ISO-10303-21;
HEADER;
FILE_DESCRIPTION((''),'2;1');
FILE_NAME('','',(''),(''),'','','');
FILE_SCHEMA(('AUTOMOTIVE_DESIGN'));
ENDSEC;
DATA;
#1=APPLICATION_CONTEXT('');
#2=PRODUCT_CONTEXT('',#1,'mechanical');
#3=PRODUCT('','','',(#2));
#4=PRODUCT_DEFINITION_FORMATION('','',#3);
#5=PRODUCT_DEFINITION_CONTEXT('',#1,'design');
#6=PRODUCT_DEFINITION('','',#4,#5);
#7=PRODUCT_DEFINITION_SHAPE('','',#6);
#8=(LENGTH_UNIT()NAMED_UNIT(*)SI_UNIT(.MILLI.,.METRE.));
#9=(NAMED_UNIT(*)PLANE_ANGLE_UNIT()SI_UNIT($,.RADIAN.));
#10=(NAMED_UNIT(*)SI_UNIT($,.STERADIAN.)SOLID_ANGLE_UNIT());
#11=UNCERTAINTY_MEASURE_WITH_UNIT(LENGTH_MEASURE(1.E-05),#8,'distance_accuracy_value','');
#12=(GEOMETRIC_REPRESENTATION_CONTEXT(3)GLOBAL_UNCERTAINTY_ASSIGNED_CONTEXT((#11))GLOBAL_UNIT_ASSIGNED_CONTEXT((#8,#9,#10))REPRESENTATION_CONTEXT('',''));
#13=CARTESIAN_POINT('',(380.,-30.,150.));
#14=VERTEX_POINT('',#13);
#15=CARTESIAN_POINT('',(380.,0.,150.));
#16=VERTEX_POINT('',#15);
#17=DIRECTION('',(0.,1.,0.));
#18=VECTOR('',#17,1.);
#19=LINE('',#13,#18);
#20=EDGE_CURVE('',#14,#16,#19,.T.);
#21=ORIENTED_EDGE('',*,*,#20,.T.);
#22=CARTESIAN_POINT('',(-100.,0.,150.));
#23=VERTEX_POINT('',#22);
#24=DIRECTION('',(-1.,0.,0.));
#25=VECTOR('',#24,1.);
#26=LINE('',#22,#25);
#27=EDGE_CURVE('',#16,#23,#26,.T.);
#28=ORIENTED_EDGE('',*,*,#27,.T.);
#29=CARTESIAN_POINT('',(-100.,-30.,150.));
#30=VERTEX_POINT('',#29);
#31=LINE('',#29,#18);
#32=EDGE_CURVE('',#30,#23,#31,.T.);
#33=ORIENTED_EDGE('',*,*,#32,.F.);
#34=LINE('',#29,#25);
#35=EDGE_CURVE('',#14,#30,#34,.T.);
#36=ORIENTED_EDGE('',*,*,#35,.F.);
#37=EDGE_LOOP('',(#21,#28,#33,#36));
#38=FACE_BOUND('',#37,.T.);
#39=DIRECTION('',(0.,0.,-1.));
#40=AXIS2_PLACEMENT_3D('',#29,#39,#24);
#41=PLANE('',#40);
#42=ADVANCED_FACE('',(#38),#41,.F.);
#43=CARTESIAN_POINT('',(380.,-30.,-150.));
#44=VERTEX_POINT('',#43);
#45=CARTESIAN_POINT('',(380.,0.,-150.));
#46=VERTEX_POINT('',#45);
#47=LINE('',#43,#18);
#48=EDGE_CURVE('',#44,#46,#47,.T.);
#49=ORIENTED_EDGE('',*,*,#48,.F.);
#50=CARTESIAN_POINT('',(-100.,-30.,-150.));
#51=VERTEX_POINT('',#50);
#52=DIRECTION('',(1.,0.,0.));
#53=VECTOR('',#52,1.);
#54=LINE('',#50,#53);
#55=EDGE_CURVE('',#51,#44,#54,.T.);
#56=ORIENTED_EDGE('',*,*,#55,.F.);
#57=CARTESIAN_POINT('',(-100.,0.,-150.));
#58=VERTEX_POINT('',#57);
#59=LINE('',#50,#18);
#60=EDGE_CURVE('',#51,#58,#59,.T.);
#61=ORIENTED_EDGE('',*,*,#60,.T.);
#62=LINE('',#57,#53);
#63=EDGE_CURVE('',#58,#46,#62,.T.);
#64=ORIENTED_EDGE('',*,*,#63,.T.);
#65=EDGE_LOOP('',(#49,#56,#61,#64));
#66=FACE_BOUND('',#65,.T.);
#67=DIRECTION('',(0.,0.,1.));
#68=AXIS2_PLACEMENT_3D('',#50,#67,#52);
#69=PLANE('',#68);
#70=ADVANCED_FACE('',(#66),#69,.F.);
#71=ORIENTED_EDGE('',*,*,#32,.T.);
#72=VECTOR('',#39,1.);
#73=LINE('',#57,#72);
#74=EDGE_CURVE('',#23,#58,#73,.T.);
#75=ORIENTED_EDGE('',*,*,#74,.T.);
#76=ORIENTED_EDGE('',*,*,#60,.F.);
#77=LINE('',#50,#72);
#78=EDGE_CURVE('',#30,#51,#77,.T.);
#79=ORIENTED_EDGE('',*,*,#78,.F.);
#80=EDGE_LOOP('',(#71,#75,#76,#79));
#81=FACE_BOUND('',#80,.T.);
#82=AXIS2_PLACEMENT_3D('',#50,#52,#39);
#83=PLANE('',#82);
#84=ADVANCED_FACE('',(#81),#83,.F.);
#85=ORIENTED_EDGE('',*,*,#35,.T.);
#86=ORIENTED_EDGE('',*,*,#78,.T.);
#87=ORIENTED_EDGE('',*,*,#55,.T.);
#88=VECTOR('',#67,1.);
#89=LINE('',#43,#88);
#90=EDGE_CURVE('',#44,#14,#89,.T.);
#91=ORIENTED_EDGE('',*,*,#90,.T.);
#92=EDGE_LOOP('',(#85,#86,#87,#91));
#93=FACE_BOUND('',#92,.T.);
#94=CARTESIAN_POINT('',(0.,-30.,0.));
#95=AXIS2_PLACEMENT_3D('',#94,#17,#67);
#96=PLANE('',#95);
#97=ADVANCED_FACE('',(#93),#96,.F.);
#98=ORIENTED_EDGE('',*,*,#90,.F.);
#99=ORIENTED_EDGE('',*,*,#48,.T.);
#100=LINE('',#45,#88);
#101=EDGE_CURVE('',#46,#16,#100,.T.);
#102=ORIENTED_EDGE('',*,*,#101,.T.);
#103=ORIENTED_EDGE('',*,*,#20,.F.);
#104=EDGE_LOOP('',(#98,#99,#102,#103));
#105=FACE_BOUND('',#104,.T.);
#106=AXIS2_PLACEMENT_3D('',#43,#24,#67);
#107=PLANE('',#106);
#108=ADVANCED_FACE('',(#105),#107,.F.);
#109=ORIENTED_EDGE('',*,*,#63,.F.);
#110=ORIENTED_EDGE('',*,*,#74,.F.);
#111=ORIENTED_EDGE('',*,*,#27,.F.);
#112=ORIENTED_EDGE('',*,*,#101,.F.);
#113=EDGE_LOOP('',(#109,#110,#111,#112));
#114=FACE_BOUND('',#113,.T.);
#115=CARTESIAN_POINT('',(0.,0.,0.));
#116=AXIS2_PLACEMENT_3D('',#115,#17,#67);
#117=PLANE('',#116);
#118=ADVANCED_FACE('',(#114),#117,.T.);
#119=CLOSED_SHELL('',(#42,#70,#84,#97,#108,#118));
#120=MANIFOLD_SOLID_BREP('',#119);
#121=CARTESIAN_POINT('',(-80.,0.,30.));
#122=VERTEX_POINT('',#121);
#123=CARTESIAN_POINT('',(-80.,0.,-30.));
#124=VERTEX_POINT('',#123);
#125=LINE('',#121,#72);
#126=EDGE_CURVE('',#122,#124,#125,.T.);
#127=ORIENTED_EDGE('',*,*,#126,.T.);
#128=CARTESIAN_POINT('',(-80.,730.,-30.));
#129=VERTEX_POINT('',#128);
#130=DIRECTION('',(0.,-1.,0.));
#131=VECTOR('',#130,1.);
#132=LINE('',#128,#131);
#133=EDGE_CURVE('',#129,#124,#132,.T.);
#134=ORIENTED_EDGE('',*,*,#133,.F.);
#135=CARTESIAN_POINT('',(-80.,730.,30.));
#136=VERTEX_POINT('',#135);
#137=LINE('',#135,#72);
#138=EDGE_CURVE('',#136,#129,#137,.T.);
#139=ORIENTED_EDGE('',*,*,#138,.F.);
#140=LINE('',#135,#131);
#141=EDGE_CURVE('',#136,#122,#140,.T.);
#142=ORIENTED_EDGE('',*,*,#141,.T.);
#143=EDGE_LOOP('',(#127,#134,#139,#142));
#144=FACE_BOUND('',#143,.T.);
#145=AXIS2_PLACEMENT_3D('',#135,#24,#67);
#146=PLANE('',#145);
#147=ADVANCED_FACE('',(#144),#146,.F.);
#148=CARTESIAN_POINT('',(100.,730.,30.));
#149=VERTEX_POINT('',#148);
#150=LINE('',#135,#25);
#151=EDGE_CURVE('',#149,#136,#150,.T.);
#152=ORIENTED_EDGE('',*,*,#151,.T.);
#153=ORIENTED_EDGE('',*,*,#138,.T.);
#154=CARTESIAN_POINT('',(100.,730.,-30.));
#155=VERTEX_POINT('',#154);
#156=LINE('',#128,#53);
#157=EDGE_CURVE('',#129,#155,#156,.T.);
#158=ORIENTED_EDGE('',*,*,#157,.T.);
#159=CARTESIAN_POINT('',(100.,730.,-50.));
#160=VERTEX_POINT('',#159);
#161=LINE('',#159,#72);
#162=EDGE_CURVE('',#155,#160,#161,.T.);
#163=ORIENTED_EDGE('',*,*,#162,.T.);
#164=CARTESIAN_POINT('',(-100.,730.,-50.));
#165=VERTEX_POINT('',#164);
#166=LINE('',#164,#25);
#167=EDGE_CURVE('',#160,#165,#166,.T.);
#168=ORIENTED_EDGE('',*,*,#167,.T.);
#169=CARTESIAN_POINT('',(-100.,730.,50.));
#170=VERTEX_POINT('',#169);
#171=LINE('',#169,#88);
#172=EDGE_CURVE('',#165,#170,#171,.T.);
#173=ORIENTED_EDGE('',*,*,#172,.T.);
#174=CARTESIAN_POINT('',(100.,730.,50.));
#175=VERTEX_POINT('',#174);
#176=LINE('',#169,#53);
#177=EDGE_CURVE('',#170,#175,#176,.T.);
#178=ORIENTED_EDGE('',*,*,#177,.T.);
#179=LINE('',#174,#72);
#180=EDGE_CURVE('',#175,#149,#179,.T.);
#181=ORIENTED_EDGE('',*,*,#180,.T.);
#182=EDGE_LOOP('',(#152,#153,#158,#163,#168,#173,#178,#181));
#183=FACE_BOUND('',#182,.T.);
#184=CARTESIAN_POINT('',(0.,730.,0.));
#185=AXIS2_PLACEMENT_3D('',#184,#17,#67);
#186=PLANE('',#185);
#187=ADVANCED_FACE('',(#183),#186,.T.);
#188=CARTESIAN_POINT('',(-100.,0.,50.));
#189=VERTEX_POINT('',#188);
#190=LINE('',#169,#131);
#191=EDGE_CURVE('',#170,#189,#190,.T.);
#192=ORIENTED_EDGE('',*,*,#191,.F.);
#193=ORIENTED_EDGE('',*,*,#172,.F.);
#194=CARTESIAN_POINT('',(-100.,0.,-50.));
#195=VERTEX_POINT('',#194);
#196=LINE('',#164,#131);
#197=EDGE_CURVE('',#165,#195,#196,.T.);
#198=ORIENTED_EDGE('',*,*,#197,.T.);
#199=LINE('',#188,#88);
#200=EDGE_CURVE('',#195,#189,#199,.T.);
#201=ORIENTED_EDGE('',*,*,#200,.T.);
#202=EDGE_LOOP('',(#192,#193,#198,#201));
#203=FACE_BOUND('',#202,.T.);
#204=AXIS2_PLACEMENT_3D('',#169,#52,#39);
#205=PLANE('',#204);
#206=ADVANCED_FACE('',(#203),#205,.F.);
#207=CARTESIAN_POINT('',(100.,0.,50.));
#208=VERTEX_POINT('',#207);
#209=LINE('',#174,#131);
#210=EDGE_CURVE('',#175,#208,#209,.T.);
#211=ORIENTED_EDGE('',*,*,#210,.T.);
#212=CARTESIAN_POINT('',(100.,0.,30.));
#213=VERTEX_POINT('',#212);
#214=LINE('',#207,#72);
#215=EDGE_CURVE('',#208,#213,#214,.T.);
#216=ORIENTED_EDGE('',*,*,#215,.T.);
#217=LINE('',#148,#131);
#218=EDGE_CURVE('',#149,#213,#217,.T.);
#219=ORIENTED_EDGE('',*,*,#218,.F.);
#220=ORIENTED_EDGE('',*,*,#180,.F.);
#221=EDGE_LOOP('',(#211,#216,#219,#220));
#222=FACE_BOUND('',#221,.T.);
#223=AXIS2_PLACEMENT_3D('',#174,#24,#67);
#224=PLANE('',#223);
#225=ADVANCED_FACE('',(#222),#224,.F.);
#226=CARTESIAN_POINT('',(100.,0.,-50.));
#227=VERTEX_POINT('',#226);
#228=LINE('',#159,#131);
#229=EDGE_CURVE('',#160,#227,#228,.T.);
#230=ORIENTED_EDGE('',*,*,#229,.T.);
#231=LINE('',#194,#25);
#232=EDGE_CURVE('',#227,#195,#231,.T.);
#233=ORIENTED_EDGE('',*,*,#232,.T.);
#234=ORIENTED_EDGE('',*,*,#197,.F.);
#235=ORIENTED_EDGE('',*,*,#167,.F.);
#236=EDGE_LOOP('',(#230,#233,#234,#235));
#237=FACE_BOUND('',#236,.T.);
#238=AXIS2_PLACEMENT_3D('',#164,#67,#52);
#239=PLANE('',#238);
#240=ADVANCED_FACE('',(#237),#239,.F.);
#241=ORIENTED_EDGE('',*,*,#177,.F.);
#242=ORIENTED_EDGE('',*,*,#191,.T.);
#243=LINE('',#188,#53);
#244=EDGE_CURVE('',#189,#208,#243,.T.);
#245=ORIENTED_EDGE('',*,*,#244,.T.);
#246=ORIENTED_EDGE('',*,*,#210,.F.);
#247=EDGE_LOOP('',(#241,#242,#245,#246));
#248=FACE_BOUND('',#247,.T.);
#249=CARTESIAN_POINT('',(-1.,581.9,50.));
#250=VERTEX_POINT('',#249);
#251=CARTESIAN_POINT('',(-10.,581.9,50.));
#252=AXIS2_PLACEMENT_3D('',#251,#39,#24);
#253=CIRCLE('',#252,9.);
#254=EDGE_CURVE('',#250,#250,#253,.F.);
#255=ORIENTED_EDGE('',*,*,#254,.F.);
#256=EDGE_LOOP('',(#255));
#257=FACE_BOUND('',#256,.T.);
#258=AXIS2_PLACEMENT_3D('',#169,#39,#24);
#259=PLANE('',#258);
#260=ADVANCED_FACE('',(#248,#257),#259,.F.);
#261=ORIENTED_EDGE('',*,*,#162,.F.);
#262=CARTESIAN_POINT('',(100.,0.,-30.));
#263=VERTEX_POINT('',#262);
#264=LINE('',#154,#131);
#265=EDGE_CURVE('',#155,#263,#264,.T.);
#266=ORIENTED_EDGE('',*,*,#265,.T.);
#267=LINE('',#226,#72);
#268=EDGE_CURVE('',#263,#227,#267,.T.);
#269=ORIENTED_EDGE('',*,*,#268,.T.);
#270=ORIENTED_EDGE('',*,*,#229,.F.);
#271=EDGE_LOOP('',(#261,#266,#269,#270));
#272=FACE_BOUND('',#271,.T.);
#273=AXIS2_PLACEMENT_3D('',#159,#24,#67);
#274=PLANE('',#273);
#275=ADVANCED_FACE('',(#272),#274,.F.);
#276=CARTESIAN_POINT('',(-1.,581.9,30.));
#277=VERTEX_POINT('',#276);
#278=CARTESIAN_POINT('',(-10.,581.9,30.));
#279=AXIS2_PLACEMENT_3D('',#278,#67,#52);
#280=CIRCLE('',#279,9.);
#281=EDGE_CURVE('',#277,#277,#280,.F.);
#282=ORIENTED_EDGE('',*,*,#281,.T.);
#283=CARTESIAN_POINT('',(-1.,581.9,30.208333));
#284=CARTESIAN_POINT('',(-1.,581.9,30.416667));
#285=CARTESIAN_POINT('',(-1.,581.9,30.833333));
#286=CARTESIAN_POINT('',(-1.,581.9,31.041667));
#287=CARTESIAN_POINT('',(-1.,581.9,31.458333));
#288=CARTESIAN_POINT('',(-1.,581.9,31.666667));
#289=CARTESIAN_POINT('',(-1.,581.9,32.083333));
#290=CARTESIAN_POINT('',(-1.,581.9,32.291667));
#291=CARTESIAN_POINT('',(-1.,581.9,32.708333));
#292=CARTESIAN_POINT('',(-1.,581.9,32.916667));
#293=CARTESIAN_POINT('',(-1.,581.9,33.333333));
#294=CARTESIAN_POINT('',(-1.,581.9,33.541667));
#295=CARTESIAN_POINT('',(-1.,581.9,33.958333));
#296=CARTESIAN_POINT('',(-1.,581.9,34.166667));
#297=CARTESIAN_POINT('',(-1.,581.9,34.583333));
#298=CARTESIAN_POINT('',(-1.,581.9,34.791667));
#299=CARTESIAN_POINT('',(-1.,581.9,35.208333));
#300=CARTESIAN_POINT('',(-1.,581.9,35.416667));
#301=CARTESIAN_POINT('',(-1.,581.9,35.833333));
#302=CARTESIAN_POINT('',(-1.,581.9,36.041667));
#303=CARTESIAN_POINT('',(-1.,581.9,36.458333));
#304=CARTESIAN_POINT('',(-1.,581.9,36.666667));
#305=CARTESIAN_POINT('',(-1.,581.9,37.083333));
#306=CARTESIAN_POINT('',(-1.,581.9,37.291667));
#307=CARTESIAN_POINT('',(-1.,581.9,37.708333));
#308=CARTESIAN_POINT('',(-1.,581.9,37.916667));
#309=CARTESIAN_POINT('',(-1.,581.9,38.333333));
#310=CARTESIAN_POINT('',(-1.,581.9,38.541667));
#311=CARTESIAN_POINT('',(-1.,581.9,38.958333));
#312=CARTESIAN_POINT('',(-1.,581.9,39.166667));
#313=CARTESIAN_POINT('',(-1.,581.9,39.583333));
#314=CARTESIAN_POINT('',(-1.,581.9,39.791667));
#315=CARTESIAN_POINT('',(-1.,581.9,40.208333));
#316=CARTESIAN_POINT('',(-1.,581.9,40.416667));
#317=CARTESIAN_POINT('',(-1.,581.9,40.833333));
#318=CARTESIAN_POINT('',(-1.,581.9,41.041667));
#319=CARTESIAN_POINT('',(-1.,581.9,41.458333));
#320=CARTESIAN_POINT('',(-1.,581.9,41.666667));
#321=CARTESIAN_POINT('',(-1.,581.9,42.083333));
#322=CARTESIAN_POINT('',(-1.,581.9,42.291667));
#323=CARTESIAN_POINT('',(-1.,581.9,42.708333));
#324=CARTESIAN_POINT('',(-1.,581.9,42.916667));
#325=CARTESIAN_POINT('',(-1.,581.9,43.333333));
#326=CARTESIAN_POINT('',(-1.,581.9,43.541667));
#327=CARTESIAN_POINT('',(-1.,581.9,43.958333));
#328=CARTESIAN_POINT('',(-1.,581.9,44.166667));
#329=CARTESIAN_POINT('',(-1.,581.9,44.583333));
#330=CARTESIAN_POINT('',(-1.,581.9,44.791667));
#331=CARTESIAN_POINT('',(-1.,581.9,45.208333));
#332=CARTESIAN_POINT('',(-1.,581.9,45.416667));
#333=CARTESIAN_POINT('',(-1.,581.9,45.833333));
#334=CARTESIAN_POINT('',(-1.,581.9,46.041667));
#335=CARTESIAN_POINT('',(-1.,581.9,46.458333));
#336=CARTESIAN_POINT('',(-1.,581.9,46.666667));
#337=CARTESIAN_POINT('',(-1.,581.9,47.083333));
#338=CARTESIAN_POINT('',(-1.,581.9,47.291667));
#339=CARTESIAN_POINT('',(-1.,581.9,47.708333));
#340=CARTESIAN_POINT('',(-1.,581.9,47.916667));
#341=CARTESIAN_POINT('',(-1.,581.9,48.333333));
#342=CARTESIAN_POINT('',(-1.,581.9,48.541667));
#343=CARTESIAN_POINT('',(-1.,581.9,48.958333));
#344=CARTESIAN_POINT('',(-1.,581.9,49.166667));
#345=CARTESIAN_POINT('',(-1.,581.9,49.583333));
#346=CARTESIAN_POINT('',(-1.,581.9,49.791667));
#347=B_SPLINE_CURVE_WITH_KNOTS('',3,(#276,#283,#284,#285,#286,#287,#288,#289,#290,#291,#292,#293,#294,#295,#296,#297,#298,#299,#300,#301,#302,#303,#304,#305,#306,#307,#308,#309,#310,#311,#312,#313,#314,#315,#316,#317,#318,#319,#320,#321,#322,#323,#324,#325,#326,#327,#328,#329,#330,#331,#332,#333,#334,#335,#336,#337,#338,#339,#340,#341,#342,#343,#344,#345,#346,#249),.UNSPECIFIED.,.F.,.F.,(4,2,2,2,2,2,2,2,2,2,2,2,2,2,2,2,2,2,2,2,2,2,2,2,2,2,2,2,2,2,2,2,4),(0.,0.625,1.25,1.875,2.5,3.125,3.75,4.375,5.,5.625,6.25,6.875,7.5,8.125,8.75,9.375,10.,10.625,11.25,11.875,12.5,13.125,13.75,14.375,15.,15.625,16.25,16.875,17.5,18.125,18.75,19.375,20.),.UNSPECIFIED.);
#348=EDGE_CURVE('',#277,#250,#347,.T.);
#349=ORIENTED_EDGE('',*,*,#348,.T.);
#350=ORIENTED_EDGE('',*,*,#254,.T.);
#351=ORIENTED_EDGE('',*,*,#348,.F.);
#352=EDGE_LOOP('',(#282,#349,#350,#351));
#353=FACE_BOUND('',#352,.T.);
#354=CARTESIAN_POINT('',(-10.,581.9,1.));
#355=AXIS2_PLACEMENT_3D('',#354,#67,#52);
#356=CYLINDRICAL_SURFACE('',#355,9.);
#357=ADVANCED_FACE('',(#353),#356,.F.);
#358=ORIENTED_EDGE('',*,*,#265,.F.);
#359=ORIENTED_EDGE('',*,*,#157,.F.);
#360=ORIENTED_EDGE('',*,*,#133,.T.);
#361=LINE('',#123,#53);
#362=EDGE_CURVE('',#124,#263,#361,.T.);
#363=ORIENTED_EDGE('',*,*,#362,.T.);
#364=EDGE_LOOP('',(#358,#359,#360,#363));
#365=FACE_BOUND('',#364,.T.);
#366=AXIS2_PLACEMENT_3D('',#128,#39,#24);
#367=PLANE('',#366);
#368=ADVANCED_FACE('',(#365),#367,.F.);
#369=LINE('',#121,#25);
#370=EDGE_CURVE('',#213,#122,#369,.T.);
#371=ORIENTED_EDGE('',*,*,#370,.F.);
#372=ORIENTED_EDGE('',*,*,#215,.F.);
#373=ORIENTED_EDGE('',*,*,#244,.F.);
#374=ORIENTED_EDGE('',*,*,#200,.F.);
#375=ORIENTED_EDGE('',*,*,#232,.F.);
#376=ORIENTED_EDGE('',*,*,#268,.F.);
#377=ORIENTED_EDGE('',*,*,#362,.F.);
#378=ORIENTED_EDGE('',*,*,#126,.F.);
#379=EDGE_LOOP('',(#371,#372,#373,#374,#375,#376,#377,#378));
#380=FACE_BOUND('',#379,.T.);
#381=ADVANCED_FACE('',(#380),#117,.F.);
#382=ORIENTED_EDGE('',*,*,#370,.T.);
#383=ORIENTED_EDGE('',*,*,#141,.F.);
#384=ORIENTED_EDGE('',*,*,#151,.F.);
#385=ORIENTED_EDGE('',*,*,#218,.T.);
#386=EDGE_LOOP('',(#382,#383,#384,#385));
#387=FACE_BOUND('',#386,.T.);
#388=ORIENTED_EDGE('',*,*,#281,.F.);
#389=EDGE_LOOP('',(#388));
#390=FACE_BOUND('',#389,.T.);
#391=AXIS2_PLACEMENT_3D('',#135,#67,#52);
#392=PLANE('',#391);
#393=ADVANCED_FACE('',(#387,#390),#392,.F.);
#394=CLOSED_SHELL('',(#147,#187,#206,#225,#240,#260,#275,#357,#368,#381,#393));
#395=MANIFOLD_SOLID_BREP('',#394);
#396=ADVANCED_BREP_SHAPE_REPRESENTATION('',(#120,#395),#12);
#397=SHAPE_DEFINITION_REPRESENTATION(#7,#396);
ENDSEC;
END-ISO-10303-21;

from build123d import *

# Parameters (mm, degrees)
BOSS_EXTRUDE1_DEPTH     = 730
SKETCH2_W               = 480
SKETCH2_H               = 300
BOSS_EXTRUDE2_DEPTH     = 30
CUT_EXTRUDE1_DEPTH      = 29
CUT_EXTRUDE1_DEPTH_BACK = 23
SKETCH5_R               = 9


with BuildPart() as part:
    # Sketch1 → Boss-Extrude1 (new body)
    with BuildSketch(Plane(origin=(0, 0, 0), x_dir=(1, 0, 0), z_dir=(0, 1, 0))):
        Polygon((-80, 30), (100, 30), (100, 50), (-100, 50), (-100, -50), (100, -50), (100, -30), (-80, -30), align=None)
    extrude(amount=BOSS_EXTRUDE1_DEPTH)

    # Sketch5 → Cut-Extrude1 (cut, two sides: drawn at the far end of the back side and taken through both)
    with BuildSketch(Plane(origin=(0, 0, 30), x_dir=(-1, 0, 0), z_dir=(0, 0, -1)).offset(-CUT_EXTRUDE1_DEPTH_BACK)):
        with Locations(Location((10, 581.9, 0), (0, 0, 180))):
            Circle(SKETCH5_R)
    extrude(amount=CUT_EXTRUDE1_DEPTH + CUT_EXTRUDE1_DEPTH_BACK, mode=Mode.SUBTRACT)


with BuildPart() as body_2:
    # Sketch2 → Boss-Extrude2 (new body)
    with BuildSketch(Plane.XZ):
        with Locations((140, 0)):
            Rectangle(SKETCH2_W, SKETCH2_H)
    extrude(amount=BOSS_EXTRUDE2_DEPTH)


solid = Compound([part.part, body_2.part])
